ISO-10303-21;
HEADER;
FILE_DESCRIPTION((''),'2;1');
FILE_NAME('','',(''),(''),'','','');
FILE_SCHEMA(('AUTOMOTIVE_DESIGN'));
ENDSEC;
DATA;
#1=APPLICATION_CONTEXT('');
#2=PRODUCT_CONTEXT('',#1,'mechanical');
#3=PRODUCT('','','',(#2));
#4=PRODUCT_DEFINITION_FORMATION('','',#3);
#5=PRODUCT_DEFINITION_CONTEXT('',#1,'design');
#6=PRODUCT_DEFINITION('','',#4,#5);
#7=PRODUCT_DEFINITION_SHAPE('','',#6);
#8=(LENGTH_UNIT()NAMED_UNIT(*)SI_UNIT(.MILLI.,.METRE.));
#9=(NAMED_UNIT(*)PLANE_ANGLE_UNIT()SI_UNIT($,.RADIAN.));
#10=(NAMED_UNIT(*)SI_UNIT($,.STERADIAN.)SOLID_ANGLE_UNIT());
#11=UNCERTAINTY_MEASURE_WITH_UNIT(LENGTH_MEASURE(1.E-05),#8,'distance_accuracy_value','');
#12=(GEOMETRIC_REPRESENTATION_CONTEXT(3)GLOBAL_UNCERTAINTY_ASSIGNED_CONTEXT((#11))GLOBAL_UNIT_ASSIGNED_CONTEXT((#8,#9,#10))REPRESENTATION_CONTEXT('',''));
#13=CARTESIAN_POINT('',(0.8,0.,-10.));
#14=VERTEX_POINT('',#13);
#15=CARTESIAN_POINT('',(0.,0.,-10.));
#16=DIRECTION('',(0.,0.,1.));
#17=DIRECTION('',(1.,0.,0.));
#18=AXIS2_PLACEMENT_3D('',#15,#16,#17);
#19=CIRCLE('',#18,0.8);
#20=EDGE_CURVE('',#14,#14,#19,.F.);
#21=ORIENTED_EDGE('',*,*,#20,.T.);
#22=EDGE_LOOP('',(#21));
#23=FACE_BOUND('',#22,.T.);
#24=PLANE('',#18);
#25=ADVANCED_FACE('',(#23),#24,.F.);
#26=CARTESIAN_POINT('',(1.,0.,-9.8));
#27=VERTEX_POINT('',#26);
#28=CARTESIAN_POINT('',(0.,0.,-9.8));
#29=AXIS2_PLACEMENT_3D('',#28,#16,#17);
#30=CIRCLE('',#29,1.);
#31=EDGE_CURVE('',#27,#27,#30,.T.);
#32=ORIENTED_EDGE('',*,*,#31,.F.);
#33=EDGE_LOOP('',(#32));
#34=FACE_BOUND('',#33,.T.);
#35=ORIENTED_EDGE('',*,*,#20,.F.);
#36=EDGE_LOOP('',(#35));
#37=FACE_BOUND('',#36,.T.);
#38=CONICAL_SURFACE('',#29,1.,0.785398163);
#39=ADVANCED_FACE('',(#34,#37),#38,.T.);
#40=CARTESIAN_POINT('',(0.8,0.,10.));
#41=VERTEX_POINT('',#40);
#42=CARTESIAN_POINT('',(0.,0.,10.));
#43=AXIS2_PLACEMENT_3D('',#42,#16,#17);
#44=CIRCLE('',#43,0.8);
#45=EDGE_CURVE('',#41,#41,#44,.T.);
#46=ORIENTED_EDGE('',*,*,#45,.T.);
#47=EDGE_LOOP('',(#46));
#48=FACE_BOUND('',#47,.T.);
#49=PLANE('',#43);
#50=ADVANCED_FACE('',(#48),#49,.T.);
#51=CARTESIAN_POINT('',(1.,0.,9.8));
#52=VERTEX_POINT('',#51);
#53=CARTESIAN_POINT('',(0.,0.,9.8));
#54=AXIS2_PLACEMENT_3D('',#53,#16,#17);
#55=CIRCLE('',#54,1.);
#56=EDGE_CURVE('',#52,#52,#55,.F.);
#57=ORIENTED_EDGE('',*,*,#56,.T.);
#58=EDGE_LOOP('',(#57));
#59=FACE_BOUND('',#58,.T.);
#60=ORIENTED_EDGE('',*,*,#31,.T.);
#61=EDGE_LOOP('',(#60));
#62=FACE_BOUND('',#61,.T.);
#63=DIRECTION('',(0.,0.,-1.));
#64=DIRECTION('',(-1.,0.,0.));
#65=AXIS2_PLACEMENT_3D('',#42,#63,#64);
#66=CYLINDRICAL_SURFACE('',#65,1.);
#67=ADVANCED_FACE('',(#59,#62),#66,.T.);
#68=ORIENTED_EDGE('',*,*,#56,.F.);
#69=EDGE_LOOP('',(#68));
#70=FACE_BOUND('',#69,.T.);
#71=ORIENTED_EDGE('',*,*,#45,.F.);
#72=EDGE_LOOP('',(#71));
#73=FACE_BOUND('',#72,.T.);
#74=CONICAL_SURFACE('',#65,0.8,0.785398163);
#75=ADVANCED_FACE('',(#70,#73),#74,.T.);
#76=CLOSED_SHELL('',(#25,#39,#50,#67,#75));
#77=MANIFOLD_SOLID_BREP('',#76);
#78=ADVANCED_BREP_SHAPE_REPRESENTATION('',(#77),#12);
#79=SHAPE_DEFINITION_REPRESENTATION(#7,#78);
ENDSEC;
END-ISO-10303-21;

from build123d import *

# Parameters (mm, degrees)
SKETCH_1_R      = 1
EXTRUDE_1_DEPTH = 10
CHAMFER_1_SIZE  = 0.2


with BuildPart() as part:
    # 草图1 → 凸台-拉伸1 (new body, symmetric)
    with BuildSketch(Plane.XY):
        Circle(SKETCH_1_R)
    extrude(amount=EXTRUDE_1_DEPTH, both=True)

    # 倒角1
    chamfer_1_edges = [part.edges().sort_by_distance(p)[0] for p in [
        (-1, 0, -10),
        (-1, 0, 10),
    ]]
    chamfer(chamfer_1_edges, length=CHAMFER_1_SIZE)


solid = part.part
